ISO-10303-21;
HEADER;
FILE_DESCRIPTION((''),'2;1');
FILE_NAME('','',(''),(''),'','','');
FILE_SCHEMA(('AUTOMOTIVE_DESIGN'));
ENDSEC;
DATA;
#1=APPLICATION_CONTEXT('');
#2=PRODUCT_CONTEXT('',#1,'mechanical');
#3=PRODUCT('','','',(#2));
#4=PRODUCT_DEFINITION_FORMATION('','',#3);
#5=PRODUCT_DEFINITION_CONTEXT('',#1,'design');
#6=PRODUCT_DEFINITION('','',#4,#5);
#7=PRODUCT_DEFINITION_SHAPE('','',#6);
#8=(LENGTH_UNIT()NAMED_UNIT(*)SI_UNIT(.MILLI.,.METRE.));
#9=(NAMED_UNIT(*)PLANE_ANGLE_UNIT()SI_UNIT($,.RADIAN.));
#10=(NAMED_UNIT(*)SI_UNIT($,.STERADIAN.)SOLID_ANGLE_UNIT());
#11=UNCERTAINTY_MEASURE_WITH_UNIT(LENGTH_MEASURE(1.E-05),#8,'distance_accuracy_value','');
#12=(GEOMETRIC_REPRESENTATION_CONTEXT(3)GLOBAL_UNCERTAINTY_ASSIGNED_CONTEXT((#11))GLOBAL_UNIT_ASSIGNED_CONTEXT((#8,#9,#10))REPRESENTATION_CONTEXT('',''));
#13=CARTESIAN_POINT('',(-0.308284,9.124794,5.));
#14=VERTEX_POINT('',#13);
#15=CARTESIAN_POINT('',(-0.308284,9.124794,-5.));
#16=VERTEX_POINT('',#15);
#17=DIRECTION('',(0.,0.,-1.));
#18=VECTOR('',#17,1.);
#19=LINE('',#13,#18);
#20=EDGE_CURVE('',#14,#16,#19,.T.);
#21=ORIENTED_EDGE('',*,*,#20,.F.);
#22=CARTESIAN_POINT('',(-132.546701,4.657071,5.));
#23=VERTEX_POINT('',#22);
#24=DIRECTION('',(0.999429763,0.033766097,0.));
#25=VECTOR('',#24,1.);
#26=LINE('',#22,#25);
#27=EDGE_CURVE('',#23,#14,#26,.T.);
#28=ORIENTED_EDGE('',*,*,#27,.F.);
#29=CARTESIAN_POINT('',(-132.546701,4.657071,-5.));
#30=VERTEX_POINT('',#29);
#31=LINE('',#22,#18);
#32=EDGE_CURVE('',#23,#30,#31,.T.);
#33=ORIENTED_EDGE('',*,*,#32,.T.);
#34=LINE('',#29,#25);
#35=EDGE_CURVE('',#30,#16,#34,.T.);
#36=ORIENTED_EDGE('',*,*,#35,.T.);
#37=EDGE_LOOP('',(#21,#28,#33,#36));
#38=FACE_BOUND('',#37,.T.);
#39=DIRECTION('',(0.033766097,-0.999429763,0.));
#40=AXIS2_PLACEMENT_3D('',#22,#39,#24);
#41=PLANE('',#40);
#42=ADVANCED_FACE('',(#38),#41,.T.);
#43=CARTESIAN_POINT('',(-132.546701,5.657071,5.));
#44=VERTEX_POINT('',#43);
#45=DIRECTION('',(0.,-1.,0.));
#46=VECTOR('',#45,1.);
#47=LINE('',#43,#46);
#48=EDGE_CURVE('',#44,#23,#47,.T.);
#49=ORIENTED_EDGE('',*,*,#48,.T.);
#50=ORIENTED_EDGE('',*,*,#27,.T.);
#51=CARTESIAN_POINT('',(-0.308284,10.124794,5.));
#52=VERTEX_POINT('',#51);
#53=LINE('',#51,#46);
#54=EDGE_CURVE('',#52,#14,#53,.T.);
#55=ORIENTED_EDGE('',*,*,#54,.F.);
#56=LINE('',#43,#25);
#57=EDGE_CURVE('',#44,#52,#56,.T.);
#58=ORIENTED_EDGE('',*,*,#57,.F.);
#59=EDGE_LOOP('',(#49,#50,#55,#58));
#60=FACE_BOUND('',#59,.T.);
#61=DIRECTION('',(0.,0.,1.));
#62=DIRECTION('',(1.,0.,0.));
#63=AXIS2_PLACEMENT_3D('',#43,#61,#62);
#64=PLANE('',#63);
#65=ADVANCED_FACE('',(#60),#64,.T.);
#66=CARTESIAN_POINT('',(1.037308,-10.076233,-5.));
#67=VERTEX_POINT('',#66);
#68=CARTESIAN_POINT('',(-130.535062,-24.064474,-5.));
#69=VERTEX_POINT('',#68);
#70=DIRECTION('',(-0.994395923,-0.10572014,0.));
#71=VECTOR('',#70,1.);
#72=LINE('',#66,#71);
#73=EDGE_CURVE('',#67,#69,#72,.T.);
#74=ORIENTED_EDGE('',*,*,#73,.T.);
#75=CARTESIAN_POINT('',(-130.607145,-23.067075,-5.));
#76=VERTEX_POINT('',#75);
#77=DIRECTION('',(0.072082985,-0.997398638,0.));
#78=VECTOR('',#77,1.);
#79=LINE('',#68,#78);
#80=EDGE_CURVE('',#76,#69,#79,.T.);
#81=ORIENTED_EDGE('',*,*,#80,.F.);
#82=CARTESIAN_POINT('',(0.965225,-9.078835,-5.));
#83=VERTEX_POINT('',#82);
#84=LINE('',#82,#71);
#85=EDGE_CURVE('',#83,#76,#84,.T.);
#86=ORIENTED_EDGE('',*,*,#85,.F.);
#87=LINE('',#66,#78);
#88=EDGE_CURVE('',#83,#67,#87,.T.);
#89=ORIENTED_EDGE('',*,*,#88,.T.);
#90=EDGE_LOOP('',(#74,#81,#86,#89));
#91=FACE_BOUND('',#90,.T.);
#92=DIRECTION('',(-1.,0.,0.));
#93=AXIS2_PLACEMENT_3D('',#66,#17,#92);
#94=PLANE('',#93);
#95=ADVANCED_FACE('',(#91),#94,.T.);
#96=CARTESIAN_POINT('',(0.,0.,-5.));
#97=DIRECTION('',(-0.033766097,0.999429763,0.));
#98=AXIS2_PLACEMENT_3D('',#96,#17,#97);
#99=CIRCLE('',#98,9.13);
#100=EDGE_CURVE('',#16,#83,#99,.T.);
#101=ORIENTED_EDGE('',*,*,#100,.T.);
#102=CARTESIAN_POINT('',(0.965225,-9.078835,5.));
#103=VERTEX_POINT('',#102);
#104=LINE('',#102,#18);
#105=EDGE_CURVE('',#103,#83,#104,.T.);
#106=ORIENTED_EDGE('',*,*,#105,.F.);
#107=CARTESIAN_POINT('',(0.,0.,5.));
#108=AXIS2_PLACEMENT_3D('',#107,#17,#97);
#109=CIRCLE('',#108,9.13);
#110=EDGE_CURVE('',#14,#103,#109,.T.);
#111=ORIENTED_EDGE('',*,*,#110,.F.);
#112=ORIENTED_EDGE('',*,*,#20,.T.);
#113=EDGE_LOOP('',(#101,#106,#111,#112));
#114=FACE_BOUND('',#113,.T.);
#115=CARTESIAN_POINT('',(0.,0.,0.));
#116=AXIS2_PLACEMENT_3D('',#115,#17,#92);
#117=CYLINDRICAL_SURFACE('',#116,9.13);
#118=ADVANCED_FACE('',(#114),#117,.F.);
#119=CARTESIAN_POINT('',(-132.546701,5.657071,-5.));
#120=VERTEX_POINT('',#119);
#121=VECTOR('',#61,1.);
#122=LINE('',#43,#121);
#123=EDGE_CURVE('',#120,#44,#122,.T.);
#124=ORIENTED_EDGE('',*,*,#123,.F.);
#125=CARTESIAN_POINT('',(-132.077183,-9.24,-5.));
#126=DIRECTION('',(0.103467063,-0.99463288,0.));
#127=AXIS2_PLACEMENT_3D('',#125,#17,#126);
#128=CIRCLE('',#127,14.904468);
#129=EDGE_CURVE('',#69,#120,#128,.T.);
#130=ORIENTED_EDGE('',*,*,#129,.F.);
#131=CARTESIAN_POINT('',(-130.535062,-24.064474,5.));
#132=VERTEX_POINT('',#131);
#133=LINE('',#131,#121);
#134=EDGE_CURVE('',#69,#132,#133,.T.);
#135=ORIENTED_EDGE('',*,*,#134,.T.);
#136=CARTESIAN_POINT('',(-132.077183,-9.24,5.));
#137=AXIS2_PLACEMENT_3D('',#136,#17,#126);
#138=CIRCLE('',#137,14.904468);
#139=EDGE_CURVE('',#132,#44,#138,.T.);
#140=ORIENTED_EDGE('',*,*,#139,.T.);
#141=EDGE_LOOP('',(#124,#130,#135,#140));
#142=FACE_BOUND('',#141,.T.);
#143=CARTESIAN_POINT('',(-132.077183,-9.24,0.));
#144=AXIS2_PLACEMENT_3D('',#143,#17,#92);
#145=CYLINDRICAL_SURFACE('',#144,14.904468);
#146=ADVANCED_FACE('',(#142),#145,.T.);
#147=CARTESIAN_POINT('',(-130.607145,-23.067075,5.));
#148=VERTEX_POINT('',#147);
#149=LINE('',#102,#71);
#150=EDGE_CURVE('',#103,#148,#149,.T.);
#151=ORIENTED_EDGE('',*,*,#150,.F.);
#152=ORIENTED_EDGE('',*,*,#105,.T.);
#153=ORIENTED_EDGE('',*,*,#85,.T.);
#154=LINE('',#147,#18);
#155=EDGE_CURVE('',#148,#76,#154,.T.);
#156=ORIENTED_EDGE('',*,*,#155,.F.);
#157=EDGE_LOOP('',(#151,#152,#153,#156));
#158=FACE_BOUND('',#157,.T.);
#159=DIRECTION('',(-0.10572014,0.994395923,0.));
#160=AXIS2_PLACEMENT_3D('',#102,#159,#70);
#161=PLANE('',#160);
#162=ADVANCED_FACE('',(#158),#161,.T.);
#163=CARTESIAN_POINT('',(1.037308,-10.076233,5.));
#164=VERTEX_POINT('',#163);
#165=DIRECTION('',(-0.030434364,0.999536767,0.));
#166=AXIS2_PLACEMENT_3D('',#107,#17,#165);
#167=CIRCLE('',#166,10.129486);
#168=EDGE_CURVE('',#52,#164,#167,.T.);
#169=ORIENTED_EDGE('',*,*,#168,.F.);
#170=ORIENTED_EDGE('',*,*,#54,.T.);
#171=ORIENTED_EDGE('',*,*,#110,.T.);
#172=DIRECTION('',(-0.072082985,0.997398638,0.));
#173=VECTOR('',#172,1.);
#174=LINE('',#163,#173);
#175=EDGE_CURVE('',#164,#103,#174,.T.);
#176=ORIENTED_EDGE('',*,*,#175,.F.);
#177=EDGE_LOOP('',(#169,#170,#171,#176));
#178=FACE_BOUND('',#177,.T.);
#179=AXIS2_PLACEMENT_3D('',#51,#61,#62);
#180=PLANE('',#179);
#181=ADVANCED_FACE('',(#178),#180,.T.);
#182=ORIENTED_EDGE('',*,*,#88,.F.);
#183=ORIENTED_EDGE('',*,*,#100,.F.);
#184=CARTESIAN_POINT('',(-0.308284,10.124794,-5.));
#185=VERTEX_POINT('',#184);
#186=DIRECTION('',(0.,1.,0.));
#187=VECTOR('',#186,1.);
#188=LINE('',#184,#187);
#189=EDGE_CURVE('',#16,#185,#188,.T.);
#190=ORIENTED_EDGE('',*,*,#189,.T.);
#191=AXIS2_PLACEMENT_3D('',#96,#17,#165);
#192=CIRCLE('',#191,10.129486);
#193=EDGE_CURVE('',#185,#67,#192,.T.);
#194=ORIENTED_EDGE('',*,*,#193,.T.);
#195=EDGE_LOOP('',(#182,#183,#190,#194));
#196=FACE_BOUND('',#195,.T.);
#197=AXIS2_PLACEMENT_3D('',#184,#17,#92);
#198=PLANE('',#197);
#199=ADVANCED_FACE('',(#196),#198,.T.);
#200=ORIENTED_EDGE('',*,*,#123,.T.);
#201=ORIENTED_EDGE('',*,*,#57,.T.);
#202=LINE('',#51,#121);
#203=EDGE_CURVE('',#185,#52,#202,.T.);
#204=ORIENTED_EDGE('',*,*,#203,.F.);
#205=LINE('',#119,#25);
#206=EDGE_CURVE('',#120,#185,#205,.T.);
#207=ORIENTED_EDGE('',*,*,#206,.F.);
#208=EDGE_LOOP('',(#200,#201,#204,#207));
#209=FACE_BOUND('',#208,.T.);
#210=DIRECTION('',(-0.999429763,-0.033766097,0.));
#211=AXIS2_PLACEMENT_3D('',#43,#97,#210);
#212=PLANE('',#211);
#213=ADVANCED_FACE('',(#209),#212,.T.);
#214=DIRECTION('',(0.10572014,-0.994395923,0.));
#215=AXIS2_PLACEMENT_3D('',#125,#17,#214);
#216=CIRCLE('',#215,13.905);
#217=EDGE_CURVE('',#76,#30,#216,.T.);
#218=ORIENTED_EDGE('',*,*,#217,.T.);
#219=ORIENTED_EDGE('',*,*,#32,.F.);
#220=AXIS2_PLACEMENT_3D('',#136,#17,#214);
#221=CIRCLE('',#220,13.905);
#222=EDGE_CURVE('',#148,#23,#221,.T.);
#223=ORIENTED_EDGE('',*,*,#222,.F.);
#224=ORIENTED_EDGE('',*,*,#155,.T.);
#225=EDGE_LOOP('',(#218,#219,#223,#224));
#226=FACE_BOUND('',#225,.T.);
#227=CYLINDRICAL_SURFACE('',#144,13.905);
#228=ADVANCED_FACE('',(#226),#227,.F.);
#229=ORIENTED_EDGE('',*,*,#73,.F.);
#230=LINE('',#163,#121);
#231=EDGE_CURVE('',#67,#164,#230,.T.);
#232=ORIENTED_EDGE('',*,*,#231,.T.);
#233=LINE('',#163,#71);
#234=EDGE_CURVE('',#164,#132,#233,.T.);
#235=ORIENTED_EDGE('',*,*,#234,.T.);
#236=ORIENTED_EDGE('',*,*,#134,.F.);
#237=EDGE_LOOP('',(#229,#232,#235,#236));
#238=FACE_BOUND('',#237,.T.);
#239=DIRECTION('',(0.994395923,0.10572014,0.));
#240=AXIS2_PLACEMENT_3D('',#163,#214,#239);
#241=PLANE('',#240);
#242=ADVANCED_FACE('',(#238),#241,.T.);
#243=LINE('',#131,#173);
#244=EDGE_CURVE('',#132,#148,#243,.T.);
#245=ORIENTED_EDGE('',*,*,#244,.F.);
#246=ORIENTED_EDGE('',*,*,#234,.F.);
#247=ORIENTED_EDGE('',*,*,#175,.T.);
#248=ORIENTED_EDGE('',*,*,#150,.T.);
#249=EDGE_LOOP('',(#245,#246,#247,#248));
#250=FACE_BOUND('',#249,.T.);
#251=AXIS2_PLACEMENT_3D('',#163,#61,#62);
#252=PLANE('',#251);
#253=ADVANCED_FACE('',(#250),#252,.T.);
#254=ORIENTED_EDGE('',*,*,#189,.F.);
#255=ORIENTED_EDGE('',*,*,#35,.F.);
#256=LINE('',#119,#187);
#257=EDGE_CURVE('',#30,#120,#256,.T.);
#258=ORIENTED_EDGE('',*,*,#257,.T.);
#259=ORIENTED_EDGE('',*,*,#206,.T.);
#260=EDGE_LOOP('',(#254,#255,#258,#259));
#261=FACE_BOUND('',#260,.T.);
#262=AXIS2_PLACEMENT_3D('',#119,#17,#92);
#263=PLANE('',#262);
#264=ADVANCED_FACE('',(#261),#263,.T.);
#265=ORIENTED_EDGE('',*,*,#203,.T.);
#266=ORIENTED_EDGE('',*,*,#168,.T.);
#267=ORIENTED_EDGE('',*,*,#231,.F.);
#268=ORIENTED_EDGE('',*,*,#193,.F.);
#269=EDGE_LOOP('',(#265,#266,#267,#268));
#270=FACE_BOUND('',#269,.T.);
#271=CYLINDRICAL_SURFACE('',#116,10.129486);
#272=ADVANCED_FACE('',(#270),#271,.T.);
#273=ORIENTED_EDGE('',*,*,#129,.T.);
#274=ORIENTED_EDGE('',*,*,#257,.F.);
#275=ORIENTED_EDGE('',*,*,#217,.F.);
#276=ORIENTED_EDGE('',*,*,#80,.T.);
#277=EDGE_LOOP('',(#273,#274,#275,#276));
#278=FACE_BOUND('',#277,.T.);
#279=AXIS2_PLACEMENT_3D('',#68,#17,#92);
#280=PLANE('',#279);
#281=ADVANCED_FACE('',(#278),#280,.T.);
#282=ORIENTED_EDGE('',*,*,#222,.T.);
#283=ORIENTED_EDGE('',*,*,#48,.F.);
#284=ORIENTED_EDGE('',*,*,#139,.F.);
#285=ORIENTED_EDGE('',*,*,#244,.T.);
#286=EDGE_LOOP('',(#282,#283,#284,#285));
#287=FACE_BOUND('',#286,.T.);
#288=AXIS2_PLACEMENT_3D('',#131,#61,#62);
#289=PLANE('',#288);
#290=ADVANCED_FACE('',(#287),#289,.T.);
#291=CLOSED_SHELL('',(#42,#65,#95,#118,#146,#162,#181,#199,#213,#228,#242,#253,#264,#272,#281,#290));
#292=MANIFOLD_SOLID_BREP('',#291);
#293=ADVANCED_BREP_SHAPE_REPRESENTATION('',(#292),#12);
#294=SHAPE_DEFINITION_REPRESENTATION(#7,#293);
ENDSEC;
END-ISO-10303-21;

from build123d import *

# Parameters (mm, degrees)
CROQUIS3_W = 10
CROQUIS3_H = 1


with BuildPart() as part:
    # Barrer1: sweep along a path in Croquis2
    with BuildLine(Plane.XY) as barrer1_path:
        Line((0.965224878, -9.078834779), (-130.607144948, -23.067075312))
        ThreePointArc((-130.607144948, -23.067075312), (-145.948280448, -10.210409366), (-132.546701076, 4.657070851))
        Line((-132.546701076, 4.657070851), (-0.308284467, 9.124793734))
        ThreePointArc((-0.308284467, 9.124793734), (9.107739315, 0.637169184), (0.965224878, -9.078834779))
    # Croquis3 → Barrer1 (sweep)
    with BuildSketch(Plane(origin=(-0.308284467, 0, 0), x_dir=(0, 0, -1), z_dir=(1, 0, 0))):
        with Locations((0, 9.624793734)):
            Rectangle(CROQUIS3_W, CROQUIS3_H)
    sweep(path=barrer1_path.line)


solid = part.part
